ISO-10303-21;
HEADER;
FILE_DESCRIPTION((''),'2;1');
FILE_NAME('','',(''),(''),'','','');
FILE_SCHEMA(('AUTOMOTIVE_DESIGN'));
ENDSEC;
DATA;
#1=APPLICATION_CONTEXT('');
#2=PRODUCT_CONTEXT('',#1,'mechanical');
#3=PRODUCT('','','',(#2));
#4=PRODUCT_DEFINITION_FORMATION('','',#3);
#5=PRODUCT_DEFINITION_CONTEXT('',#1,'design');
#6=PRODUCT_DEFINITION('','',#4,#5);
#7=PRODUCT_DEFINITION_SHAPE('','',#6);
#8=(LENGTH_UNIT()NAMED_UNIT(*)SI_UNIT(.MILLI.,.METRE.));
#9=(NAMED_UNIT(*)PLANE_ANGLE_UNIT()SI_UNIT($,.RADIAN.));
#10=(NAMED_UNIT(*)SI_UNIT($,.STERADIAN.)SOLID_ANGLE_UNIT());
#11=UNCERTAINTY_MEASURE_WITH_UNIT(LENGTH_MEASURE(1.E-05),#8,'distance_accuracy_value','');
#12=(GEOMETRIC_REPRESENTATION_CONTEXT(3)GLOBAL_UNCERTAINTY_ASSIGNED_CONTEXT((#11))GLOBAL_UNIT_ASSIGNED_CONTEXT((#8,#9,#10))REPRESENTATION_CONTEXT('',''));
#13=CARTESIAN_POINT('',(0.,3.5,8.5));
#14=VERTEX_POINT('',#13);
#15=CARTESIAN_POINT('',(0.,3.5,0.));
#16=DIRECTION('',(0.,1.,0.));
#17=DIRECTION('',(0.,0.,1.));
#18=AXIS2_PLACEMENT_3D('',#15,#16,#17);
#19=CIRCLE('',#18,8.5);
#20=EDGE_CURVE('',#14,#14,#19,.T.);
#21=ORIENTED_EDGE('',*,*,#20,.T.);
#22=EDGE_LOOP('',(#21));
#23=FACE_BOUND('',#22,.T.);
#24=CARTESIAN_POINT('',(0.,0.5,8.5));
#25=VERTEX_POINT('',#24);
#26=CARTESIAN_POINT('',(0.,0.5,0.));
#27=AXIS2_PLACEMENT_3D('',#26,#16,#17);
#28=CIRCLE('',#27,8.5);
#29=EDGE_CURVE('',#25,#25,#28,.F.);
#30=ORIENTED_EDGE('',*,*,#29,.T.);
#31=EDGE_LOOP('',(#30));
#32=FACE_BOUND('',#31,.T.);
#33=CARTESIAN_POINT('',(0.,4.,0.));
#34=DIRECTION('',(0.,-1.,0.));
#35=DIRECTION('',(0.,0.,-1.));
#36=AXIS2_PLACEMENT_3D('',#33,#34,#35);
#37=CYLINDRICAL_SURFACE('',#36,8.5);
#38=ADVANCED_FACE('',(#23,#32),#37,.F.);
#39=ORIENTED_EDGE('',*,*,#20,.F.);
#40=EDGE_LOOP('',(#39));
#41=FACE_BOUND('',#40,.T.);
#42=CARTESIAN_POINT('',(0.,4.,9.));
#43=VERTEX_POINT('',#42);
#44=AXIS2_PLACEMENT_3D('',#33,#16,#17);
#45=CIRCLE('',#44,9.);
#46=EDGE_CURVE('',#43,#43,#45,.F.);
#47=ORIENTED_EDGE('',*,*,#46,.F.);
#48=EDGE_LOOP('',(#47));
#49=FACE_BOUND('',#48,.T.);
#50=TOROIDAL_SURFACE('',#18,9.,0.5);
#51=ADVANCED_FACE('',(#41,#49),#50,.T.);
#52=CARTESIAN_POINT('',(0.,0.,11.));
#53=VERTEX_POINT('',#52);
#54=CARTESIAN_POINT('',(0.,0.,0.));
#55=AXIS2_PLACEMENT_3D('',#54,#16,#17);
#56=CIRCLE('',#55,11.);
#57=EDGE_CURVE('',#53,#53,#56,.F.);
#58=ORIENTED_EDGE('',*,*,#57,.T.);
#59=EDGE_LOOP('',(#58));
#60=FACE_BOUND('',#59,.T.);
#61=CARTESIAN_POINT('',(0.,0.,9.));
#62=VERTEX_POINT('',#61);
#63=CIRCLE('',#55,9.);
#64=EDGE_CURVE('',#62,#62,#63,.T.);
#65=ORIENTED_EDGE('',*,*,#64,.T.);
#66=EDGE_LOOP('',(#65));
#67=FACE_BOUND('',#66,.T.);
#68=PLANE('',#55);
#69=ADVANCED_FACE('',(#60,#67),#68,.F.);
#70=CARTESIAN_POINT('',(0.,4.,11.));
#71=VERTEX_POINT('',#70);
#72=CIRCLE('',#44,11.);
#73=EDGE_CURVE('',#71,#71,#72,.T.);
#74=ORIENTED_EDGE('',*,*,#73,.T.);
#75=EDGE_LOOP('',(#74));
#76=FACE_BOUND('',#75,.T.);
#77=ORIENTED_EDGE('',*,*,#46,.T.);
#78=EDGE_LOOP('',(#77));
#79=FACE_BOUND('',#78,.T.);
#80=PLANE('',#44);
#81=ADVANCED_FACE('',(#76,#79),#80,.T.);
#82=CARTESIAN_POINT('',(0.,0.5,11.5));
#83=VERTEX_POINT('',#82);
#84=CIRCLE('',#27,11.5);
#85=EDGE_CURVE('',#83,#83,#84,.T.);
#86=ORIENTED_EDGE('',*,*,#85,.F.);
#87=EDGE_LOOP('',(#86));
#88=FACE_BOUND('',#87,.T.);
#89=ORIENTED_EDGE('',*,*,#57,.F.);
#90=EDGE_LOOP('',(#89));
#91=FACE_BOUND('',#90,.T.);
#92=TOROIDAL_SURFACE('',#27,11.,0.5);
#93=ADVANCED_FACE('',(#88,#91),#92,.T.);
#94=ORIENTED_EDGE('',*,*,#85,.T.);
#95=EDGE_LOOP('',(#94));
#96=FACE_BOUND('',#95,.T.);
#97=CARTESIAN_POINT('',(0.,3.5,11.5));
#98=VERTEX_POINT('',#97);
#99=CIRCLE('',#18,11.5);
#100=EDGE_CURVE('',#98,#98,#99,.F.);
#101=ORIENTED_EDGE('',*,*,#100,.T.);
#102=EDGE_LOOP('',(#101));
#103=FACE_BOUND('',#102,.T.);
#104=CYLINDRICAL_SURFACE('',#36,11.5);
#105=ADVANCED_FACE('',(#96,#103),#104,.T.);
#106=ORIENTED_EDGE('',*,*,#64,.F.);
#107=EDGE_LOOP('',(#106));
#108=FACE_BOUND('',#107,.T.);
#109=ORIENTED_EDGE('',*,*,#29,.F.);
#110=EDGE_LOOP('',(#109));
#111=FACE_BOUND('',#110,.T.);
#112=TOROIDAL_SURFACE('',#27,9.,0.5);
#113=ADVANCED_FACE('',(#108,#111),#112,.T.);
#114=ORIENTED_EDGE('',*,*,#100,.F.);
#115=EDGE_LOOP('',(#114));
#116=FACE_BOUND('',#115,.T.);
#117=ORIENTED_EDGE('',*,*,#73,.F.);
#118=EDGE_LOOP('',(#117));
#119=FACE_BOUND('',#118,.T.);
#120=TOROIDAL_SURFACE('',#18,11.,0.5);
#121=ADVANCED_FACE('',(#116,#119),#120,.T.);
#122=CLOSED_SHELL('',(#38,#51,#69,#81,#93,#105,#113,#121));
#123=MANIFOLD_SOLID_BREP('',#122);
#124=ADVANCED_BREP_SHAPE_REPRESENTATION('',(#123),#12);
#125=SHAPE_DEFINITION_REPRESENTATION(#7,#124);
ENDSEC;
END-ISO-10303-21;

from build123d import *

# Parameters (mm, degrees)
SKIZZE1_R                       = 11.5
SKIZZE1_R_2                     = 8.5
AUFSATZ_LINEAR_AUSTRAGEN1_DEPTH = 4
VERRUNDUNG1_R                   = 0.5


with BuildPart() as part:
    # Skizze1 → Aufsatz-Linear austragen1 (new body)
    with BuildSketch(Plane(origin=(0, 0, 0), x_dir=(1, 0, 0), z_dir=(0, 1, 0))):
        Circle(SKIZZE1_R)
        Circle(SKIZZE1_R_2, mode=Mode.SUBTRACT)
    extrude(amount=AUFSATZ_LINEAR_AUSTRAGEN1_DEPTH)

    # Verrundung1
    verrundung1_edges = [part.edges().sort_by_distance(p)[0] for p in [
        (-11.5, 0, 0),
        (-11.5, 4, 0),
        (-8.5, 0, 0),
        (-8.5, 4, 0),
    ]]
    fillet(verrundung1_edges, radius=VERRUNDUNG1_R)


solid = part.part
